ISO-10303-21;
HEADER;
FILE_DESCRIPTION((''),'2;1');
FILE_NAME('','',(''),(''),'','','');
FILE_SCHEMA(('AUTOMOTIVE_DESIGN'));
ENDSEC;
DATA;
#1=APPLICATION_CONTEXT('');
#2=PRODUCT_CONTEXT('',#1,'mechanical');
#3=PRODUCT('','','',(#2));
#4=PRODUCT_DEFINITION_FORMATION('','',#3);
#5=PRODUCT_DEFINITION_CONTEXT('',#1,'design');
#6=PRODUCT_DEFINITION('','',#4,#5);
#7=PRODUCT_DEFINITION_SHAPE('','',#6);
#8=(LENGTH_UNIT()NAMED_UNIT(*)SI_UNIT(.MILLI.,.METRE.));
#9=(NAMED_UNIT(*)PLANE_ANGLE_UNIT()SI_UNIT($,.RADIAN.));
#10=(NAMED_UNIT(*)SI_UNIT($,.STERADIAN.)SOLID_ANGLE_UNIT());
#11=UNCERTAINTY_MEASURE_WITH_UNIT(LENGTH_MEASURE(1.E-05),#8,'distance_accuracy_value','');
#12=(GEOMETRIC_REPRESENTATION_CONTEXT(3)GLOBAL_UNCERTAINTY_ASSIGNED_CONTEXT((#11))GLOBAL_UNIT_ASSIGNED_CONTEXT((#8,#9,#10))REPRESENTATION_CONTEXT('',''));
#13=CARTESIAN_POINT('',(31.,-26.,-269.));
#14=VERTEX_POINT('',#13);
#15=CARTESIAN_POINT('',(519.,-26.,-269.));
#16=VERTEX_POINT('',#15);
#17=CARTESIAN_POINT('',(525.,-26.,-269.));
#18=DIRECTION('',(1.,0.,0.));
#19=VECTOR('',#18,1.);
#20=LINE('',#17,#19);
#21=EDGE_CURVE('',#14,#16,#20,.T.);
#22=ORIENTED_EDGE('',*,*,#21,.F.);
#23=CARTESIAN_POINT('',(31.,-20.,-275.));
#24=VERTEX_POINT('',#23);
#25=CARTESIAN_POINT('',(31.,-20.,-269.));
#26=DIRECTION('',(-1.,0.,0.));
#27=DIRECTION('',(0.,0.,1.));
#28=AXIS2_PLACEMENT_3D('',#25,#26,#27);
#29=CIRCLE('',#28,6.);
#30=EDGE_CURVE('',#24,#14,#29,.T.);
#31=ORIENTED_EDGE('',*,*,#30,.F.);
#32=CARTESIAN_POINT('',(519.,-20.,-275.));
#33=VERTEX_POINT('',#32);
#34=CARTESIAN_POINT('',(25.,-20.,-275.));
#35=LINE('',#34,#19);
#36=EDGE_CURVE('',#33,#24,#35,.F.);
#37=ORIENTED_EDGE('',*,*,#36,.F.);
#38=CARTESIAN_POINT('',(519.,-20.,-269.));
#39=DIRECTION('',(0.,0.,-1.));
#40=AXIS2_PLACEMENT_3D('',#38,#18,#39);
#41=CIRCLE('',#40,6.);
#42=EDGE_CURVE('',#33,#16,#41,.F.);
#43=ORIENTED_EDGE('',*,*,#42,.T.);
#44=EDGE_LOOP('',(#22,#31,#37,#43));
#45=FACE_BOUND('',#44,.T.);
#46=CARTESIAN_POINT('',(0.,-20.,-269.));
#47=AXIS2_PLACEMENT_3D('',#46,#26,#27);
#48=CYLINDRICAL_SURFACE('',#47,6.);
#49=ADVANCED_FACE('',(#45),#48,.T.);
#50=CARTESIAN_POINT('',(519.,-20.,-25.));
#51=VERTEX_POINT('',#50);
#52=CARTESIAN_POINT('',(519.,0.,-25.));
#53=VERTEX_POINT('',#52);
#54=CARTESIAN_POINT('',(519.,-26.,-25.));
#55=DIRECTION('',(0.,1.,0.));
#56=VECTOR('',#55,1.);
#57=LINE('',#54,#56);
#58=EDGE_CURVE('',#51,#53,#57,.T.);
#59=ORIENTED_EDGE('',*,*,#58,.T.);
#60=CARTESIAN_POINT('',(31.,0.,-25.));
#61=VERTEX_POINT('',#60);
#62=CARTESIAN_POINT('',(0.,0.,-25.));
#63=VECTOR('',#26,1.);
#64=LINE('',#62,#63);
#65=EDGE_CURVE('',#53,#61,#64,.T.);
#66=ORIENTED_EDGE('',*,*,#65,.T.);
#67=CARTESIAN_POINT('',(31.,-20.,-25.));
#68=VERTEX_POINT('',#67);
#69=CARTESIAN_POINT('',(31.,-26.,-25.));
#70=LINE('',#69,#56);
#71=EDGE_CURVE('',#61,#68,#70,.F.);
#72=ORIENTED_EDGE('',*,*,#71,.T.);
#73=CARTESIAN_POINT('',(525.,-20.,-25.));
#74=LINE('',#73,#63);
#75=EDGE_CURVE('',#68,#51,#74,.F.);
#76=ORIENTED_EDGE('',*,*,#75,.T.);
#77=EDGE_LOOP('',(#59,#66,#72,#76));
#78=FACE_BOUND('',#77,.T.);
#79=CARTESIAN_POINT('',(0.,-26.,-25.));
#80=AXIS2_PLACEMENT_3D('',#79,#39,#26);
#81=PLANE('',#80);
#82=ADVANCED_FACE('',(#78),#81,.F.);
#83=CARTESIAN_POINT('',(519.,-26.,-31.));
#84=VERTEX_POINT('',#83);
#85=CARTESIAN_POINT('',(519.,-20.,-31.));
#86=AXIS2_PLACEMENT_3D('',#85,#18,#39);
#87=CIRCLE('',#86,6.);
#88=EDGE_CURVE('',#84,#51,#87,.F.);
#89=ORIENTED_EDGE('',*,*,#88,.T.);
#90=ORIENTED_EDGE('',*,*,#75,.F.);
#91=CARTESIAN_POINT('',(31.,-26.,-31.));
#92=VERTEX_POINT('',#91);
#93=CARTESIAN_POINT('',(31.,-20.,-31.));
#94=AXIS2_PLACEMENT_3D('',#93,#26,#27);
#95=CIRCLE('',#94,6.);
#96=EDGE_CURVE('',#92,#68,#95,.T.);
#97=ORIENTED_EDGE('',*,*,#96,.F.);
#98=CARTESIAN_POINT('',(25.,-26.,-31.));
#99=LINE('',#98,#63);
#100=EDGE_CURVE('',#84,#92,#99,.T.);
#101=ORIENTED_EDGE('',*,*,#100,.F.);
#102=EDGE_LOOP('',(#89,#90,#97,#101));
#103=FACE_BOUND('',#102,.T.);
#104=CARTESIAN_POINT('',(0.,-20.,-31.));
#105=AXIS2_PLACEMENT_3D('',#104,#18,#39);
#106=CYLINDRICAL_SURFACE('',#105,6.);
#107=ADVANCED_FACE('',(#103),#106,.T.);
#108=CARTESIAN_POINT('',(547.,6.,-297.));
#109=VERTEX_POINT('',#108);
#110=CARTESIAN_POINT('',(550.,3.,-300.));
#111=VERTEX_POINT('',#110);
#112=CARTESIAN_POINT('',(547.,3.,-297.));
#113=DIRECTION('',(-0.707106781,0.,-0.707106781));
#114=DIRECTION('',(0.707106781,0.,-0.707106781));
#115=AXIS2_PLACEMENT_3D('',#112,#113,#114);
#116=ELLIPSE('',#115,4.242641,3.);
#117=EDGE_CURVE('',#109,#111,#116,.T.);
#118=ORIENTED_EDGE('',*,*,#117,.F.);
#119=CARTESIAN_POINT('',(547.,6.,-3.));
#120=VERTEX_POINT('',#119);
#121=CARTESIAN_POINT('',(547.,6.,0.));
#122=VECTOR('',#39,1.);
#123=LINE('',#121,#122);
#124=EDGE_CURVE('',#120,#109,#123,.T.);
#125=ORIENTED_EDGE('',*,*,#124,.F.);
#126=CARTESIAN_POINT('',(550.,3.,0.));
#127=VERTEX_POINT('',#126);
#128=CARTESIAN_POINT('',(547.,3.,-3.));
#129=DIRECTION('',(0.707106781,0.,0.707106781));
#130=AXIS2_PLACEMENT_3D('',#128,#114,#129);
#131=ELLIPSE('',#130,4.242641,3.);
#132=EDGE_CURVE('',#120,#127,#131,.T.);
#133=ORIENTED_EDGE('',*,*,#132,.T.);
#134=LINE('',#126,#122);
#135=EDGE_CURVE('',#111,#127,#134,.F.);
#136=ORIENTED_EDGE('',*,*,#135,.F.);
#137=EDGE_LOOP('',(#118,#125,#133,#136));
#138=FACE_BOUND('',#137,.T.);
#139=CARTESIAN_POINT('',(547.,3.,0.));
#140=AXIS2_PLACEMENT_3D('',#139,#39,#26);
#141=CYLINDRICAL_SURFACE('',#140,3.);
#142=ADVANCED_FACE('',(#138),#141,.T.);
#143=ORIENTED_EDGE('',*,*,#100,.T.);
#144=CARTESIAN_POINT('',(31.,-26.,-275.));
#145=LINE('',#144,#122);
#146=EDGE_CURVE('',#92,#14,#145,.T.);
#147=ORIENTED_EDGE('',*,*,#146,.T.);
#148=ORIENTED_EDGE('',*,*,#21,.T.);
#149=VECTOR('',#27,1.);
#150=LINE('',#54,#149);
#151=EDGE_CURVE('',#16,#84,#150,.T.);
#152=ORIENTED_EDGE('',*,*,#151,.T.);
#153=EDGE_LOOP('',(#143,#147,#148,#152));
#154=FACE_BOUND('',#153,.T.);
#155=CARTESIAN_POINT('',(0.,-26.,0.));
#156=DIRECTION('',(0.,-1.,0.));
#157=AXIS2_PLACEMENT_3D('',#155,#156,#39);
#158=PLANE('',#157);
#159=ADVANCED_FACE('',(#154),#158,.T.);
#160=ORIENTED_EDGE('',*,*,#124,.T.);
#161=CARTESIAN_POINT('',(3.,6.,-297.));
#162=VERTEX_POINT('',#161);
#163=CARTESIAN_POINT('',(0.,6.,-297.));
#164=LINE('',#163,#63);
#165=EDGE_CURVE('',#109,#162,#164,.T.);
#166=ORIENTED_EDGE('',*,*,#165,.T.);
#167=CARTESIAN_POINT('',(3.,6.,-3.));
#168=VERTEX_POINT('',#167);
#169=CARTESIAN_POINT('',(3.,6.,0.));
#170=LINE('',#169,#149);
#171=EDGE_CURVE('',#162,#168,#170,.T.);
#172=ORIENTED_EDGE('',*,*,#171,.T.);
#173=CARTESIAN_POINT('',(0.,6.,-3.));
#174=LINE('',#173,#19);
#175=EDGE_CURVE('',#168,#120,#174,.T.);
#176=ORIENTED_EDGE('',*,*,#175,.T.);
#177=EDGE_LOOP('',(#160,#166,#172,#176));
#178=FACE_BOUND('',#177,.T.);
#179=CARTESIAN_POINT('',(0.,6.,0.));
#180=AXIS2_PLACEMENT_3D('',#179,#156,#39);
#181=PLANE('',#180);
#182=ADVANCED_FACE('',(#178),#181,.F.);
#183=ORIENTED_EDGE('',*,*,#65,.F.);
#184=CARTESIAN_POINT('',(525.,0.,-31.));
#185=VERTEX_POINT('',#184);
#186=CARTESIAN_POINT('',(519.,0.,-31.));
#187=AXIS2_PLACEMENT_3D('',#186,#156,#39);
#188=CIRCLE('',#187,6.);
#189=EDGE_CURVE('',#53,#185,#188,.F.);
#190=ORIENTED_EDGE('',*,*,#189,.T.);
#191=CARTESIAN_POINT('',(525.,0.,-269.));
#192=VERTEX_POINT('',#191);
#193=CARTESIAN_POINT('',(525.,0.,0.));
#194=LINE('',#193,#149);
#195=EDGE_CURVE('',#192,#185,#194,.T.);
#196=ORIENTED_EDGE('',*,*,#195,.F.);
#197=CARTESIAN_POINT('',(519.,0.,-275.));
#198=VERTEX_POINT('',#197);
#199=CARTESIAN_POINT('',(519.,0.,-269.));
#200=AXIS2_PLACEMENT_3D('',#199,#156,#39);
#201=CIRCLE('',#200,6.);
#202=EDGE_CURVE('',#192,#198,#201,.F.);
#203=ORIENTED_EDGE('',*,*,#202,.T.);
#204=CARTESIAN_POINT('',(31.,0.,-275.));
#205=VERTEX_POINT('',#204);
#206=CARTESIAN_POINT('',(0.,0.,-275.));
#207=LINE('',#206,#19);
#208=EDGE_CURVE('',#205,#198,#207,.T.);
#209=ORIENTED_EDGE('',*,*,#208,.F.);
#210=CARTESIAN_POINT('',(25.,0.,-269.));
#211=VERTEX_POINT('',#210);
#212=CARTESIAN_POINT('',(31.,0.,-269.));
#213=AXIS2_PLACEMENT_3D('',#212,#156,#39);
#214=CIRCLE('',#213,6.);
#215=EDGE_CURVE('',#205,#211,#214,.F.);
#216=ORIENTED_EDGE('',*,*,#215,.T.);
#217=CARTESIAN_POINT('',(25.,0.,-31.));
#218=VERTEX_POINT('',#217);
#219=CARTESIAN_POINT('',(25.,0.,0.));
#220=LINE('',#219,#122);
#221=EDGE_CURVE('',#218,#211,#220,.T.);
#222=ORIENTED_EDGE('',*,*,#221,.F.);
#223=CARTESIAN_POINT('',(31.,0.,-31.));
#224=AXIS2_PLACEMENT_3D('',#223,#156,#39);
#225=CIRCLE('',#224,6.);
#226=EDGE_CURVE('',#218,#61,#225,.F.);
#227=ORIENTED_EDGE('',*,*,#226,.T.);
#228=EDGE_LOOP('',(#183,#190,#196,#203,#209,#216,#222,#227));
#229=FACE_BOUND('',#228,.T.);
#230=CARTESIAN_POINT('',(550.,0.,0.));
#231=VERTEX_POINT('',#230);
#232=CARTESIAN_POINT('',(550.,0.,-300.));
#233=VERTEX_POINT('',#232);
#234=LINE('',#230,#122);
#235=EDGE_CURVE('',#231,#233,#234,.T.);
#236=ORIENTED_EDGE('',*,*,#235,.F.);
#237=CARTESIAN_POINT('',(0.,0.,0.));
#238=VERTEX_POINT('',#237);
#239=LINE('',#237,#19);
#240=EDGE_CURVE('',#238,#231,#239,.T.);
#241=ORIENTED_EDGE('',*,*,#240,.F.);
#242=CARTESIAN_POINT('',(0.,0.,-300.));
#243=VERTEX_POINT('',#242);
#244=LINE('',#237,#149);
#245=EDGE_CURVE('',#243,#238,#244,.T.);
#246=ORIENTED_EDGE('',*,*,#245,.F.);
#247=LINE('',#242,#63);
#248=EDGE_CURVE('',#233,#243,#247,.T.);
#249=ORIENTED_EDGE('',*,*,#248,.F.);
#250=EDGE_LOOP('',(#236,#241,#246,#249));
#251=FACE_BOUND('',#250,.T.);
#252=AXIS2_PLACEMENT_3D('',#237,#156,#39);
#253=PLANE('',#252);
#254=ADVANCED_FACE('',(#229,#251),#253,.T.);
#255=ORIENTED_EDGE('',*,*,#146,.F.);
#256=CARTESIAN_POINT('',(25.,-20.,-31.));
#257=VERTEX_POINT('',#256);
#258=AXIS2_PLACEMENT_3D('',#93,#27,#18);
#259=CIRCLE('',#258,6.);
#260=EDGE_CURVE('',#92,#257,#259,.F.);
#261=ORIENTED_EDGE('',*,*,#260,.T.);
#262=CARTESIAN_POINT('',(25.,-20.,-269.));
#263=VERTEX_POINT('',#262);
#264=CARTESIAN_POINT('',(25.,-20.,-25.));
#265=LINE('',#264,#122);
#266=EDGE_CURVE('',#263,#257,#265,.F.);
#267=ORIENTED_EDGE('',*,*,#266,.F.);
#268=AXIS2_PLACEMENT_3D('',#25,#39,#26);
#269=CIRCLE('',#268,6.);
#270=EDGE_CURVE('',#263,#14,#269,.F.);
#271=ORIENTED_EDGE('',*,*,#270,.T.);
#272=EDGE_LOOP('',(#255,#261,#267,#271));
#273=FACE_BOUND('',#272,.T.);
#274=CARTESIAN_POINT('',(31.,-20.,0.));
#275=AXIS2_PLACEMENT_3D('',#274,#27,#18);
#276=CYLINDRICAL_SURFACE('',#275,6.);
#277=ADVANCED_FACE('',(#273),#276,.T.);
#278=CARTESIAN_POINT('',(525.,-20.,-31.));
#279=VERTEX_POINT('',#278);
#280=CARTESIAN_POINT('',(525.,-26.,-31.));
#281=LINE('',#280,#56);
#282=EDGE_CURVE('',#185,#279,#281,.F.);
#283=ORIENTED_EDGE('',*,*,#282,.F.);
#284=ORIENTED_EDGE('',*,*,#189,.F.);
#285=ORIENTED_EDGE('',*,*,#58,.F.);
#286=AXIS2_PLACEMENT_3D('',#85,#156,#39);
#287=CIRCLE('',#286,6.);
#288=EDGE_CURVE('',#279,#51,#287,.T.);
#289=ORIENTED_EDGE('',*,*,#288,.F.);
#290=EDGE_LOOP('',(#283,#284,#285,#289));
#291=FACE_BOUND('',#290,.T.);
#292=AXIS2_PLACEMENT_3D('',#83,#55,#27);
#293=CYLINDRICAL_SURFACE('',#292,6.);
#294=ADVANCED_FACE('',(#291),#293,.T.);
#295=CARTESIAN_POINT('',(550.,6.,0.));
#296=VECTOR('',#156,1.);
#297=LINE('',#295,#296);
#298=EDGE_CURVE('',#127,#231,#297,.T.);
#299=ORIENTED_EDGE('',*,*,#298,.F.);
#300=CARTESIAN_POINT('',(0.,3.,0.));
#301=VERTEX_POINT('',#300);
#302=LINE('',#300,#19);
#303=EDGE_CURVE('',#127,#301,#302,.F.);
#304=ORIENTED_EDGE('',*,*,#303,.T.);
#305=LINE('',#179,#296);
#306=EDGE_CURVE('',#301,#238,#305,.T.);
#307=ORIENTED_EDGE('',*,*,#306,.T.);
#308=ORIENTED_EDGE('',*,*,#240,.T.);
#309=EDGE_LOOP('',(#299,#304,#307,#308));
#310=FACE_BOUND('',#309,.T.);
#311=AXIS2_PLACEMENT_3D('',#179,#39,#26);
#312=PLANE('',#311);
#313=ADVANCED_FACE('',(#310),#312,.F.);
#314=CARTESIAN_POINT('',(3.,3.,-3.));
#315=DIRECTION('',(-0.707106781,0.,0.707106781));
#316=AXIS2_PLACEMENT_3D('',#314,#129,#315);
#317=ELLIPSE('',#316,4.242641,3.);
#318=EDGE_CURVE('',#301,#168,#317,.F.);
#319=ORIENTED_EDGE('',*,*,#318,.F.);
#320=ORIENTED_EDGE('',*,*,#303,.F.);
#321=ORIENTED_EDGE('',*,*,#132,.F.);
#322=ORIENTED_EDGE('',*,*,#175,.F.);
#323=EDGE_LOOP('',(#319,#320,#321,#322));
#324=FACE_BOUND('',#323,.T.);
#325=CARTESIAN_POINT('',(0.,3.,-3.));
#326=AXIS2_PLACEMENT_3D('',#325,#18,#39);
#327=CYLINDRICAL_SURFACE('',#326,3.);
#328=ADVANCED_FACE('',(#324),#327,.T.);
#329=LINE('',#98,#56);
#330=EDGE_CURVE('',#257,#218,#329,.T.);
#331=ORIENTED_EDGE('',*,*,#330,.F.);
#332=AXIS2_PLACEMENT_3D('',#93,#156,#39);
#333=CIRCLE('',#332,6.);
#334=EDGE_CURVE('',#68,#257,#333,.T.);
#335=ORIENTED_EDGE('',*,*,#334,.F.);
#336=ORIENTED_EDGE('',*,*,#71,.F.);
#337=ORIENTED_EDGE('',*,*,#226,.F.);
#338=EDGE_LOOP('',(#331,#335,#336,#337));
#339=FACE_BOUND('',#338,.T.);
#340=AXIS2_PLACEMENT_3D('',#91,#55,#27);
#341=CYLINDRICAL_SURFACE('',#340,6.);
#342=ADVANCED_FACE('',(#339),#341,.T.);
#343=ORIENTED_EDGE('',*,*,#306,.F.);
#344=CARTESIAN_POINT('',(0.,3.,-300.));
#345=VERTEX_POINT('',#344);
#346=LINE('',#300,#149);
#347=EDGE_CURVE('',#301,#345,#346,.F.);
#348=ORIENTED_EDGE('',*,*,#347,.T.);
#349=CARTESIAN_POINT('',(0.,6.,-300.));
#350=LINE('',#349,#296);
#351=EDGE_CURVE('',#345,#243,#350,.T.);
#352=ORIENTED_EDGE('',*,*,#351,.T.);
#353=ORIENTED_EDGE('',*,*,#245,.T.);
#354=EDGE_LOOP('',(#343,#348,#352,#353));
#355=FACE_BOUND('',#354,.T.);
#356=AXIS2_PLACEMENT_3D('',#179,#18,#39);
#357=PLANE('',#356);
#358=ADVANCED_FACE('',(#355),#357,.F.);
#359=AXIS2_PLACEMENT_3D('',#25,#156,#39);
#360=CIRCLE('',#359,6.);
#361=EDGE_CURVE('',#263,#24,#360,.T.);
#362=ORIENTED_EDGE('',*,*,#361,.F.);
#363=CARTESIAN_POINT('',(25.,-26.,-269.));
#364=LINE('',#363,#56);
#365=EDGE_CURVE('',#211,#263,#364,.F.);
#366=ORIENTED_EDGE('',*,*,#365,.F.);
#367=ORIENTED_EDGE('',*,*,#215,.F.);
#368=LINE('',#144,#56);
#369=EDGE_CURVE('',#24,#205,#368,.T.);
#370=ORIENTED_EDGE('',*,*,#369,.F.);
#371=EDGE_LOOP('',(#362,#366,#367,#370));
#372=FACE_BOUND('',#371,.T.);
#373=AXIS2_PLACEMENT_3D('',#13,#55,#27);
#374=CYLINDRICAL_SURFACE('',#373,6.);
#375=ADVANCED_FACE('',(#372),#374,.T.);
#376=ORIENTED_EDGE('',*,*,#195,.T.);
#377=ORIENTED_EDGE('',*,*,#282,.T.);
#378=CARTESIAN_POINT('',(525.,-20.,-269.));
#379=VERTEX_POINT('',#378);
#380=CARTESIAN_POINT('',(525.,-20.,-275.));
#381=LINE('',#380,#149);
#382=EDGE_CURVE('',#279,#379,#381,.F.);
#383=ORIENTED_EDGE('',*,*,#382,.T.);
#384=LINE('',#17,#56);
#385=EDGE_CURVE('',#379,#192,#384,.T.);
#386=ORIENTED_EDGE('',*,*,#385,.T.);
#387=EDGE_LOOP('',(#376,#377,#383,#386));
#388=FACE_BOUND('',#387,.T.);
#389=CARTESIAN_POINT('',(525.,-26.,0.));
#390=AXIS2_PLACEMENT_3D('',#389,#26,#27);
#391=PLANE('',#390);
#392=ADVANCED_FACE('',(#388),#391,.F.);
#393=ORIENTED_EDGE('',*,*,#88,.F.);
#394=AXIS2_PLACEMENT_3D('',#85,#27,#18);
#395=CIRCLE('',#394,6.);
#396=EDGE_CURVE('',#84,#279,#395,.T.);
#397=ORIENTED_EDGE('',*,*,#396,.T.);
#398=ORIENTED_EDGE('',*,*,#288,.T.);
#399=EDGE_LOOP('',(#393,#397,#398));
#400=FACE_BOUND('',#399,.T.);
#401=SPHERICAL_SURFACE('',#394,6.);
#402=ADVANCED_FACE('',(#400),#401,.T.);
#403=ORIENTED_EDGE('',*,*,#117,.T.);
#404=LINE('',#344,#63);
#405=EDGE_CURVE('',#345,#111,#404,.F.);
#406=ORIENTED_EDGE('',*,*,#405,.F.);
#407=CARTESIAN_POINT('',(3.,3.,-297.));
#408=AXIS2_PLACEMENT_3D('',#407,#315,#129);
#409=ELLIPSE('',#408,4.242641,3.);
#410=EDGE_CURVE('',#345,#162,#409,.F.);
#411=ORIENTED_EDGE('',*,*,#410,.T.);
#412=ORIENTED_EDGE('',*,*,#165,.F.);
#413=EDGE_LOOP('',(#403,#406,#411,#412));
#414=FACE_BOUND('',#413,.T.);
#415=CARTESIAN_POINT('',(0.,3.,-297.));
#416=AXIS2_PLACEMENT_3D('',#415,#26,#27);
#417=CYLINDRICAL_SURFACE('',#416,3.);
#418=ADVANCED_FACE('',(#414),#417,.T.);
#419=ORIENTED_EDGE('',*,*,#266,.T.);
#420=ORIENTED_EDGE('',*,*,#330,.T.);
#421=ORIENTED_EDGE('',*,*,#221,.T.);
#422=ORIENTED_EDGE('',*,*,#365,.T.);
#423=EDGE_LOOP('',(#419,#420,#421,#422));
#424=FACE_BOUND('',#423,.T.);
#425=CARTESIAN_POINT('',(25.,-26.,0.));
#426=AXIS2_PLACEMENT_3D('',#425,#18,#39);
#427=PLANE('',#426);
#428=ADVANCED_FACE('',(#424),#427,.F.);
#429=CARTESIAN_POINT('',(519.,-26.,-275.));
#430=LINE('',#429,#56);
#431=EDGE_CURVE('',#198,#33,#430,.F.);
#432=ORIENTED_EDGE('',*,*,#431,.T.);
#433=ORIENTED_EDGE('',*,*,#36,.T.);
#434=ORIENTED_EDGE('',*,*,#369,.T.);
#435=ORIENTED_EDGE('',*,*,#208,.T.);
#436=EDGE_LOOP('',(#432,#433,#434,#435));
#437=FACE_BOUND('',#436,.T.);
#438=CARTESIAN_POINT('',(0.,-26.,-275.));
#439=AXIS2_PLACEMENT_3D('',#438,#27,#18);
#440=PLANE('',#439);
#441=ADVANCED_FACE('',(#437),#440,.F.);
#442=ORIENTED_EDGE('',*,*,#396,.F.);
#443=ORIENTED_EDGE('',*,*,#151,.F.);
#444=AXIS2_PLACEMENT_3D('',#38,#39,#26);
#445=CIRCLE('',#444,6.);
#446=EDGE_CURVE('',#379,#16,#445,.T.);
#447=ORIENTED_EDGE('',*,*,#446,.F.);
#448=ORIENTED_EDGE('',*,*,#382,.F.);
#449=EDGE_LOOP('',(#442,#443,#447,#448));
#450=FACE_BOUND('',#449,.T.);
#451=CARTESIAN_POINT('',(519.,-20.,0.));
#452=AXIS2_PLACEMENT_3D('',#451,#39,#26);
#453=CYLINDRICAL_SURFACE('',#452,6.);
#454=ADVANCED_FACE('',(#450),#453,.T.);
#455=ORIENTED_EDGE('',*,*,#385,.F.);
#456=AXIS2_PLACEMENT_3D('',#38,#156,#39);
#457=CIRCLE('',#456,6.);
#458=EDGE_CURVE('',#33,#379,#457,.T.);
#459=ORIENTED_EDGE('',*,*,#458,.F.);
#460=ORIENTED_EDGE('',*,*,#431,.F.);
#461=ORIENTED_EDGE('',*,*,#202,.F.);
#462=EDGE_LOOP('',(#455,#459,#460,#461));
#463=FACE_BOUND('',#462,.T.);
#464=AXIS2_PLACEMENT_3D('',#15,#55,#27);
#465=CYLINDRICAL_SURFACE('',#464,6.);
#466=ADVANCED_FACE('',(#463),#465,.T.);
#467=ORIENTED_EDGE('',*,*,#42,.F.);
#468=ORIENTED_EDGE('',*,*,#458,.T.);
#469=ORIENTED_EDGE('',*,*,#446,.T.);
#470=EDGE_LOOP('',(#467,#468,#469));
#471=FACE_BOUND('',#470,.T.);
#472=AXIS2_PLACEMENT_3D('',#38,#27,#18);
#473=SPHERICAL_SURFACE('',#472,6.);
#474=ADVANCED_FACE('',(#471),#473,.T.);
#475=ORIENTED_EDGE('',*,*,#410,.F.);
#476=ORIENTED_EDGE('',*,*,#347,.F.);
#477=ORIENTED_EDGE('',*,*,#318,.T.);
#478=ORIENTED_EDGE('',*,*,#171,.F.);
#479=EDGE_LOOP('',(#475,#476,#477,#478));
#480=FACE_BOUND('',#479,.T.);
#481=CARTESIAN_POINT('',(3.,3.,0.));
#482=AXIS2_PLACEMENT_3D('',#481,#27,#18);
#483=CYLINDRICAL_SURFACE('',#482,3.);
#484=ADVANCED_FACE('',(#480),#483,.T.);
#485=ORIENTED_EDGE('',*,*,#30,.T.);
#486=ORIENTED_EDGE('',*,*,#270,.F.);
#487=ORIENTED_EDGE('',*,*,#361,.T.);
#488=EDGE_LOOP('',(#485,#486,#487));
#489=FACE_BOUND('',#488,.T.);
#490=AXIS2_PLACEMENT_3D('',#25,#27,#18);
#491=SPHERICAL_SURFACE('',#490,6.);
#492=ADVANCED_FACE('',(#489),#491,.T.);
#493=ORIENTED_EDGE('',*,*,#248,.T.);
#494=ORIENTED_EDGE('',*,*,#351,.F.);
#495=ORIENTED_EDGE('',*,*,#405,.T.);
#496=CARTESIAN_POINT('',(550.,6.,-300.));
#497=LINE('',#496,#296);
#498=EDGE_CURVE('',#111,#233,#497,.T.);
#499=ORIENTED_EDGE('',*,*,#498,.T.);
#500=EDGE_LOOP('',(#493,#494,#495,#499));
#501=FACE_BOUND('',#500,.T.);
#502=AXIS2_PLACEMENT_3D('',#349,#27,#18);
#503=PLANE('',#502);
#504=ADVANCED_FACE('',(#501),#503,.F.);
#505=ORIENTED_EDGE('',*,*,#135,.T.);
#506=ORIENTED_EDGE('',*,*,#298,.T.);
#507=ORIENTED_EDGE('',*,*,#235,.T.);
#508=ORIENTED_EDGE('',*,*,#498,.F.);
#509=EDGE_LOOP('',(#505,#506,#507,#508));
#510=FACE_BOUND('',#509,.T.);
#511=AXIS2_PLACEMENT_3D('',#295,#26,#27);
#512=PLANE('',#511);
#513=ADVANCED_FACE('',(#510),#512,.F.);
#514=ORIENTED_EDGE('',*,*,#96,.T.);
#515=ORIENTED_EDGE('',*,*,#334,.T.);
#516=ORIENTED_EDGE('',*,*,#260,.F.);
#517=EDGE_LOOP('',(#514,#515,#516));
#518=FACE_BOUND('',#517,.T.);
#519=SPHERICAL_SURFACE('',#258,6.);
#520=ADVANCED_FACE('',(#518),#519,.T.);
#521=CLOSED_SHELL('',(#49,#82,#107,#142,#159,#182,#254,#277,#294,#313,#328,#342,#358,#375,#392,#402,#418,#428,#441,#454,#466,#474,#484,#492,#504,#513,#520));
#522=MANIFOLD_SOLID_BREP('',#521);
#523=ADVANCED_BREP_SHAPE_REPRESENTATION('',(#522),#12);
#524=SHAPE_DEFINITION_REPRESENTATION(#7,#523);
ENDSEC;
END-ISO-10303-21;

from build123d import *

# Parameters (mm, degrees)
SKETCH1_W           = 550
SKETCH1_H           = 300
BOSS_EXTRUDE1_DEPTH = 6
FILLET1_R           = 3
SKETCH3_W           = 500
SKETCH3_H           = 250
BOSS_EXTRUDE2_DEPTH = 26
FILLET2_R           = 6


with BuildPart() as part:
    # Sketch1 → Boss-Extrude1 (new body)
    with BuildSketch(Plane(origin=(0, 0, 0), x_dir=(1, 0, 0), z_dir=(0, 1, 0))):
        with Locations((275, 150)):
            Rectangle(SKETCH1_W, SKETCH1_H)
    extrude(amount=BOSS_EXTRUDE1_DEPTH)

    # Fillet1
    fillet1_edges = [part.edges().sort_by_distance(p)[0] for p in [
        (550, 6, -150),
        (275, 6, -300),
        (0, 6, -150),
        (275, 6, 0),
    ]]
    fillet(fillet1_edges, radius=FILLET1_R)

    # Sketch3 → Boss-Extrude2 (add)
    with BuildSketch(Plane.XZ):
        with Locations((275, -150)):
            Rectangle(SKETCH3_W, SKETCH3_H)
    extrude(amount=BOSS_EXTRUDE2_DEPTH)

    # Fillet2
    fillet2_edges = [part.edges().sort_by_distance(p)[0] for p in [
        (25, -13, -275),
        (525, -13, -275),
        (525, -13, -25),
        (25, -13, -25),
        (275, -26, -275),
        (525, -26, -150),
        (275, -26, -25),
        (25, -26, -150),
    ]]
    fillet(fillet2_edges, radius=FILLET2_R)


solid = part.part
